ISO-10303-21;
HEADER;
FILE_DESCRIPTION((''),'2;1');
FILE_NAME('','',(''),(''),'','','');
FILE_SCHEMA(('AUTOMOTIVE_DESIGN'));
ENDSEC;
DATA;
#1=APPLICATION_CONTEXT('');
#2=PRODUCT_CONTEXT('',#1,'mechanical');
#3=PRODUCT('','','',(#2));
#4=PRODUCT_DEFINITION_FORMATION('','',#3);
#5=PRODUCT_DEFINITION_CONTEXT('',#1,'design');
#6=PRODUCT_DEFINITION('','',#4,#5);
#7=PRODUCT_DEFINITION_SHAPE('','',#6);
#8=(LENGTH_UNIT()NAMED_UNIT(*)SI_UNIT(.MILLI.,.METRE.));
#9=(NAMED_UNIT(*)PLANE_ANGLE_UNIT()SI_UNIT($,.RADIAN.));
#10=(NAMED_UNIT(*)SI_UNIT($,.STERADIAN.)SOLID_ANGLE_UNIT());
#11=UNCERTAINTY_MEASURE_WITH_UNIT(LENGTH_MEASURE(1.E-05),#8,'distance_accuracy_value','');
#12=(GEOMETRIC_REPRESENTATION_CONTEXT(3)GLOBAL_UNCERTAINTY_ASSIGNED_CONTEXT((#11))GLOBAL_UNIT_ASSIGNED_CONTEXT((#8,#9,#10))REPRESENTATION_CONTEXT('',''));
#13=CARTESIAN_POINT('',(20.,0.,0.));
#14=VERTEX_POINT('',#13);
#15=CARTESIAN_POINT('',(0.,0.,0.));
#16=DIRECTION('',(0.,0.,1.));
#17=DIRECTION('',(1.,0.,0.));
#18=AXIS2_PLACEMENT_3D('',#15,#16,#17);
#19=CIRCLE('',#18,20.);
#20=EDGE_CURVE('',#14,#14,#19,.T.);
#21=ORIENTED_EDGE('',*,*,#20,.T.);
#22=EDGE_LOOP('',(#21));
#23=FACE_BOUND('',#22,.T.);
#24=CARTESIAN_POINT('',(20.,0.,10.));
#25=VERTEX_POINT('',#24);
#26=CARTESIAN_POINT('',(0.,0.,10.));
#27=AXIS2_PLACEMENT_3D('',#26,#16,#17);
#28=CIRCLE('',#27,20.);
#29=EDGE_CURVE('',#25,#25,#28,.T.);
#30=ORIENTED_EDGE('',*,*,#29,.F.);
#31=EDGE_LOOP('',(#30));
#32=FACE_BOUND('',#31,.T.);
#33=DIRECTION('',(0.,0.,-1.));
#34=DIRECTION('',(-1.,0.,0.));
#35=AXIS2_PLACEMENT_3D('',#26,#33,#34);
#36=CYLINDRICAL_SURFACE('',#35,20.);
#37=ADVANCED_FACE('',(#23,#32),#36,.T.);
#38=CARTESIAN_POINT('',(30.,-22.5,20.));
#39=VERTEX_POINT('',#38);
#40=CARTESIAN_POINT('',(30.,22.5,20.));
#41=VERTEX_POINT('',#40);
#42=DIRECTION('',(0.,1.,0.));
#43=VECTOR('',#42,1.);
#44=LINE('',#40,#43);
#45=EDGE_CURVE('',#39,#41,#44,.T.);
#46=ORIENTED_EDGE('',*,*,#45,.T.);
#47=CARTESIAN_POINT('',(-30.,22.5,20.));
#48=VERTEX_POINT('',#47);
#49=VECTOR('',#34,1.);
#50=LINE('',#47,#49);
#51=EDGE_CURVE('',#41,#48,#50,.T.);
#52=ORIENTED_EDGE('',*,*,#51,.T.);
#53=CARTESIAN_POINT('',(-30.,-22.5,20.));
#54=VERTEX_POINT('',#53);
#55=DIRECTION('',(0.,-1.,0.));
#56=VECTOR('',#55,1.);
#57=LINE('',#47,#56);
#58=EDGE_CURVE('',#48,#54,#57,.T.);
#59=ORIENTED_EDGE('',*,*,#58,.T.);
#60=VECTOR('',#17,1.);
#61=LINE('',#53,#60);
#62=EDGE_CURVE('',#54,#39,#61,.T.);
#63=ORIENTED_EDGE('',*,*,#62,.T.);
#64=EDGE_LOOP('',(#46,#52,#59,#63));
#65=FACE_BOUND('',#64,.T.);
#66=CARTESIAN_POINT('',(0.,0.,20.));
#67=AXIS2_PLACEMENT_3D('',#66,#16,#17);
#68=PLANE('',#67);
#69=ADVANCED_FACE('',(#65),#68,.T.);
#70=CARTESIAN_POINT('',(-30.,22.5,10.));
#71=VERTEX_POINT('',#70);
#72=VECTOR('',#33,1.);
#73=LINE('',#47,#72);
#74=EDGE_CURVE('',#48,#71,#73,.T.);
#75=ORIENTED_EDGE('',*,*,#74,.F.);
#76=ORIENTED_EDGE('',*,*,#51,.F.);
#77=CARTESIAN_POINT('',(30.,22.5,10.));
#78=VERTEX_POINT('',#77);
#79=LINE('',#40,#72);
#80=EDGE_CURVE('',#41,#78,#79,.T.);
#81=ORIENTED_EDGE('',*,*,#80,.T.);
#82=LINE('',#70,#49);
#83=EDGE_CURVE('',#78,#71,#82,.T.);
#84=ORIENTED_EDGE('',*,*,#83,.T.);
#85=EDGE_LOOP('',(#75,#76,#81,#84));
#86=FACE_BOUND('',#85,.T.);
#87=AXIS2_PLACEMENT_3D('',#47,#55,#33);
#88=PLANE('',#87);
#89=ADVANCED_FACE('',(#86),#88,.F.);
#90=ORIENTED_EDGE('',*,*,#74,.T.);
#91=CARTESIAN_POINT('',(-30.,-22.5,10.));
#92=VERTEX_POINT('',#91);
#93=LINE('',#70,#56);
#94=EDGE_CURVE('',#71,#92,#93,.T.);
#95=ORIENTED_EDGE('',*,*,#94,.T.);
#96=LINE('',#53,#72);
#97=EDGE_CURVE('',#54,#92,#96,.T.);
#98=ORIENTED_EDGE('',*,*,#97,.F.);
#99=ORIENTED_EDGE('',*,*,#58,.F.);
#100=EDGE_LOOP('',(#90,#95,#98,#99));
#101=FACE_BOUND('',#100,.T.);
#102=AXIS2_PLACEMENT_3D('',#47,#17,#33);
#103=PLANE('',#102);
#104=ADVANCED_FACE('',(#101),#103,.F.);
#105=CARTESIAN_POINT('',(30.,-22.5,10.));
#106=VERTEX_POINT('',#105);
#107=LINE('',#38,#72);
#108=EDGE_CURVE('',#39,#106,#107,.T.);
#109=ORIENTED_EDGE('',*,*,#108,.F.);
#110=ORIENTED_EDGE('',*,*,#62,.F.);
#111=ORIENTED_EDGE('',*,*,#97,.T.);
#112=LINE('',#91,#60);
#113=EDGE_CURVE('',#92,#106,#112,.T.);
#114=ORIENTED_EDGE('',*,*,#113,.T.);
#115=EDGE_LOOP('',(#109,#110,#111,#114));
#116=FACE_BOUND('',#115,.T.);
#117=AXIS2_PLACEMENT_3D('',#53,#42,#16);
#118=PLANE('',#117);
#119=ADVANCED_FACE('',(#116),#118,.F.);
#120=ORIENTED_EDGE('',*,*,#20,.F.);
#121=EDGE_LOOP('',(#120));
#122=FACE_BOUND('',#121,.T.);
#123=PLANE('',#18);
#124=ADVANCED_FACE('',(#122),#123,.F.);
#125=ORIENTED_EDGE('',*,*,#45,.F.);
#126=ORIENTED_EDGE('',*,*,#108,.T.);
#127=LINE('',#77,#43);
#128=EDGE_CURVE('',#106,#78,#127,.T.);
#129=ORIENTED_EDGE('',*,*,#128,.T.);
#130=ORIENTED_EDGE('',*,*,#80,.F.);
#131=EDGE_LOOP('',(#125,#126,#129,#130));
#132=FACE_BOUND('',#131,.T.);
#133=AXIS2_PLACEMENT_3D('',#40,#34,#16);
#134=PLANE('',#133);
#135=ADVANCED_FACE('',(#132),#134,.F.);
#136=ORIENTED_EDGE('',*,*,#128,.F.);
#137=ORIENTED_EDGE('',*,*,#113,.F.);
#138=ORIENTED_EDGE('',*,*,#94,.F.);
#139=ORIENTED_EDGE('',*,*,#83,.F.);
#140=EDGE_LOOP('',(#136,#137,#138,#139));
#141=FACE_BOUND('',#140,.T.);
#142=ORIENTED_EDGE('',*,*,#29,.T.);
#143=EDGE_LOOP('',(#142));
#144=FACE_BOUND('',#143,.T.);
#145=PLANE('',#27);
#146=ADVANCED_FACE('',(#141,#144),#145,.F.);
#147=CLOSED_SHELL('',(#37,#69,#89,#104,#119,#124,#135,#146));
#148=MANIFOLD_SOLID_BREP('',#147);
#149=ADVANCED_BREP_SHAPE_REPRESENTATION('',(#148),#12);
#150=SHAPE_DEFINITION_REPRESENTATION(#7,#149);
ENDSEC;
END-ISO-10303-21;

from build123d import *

# Parameters (mm, degrees)
CROQUIS1_R              = 20
SALIENTE_EXTRUIR1_DEPTH = 10
CROQUIS2_W              = 60
CROQUIS2_H              = 45
SALIENTE_EXTRUIR2_DEPTH = 10


with BuildPart() as part:
    # Croquis1 → Saliente-Extruir1 (new body)
    with BuildSketch(Plane.XY):
        Circle(CROQUIS1_R)
    extrude(amount=SALIENTE_EXTRUIR1_DEPTH)

    # Croquis2 → Saliente-Extruir2 (add)
    with BuildSketch(Plane.XY.offset(10)):
        Rectangle(CROQUIS2_W, CROQUIS2_H)
    extrude(amount=SALIENTE_EXTRUIR2_DEPTH)


solid = part.part
